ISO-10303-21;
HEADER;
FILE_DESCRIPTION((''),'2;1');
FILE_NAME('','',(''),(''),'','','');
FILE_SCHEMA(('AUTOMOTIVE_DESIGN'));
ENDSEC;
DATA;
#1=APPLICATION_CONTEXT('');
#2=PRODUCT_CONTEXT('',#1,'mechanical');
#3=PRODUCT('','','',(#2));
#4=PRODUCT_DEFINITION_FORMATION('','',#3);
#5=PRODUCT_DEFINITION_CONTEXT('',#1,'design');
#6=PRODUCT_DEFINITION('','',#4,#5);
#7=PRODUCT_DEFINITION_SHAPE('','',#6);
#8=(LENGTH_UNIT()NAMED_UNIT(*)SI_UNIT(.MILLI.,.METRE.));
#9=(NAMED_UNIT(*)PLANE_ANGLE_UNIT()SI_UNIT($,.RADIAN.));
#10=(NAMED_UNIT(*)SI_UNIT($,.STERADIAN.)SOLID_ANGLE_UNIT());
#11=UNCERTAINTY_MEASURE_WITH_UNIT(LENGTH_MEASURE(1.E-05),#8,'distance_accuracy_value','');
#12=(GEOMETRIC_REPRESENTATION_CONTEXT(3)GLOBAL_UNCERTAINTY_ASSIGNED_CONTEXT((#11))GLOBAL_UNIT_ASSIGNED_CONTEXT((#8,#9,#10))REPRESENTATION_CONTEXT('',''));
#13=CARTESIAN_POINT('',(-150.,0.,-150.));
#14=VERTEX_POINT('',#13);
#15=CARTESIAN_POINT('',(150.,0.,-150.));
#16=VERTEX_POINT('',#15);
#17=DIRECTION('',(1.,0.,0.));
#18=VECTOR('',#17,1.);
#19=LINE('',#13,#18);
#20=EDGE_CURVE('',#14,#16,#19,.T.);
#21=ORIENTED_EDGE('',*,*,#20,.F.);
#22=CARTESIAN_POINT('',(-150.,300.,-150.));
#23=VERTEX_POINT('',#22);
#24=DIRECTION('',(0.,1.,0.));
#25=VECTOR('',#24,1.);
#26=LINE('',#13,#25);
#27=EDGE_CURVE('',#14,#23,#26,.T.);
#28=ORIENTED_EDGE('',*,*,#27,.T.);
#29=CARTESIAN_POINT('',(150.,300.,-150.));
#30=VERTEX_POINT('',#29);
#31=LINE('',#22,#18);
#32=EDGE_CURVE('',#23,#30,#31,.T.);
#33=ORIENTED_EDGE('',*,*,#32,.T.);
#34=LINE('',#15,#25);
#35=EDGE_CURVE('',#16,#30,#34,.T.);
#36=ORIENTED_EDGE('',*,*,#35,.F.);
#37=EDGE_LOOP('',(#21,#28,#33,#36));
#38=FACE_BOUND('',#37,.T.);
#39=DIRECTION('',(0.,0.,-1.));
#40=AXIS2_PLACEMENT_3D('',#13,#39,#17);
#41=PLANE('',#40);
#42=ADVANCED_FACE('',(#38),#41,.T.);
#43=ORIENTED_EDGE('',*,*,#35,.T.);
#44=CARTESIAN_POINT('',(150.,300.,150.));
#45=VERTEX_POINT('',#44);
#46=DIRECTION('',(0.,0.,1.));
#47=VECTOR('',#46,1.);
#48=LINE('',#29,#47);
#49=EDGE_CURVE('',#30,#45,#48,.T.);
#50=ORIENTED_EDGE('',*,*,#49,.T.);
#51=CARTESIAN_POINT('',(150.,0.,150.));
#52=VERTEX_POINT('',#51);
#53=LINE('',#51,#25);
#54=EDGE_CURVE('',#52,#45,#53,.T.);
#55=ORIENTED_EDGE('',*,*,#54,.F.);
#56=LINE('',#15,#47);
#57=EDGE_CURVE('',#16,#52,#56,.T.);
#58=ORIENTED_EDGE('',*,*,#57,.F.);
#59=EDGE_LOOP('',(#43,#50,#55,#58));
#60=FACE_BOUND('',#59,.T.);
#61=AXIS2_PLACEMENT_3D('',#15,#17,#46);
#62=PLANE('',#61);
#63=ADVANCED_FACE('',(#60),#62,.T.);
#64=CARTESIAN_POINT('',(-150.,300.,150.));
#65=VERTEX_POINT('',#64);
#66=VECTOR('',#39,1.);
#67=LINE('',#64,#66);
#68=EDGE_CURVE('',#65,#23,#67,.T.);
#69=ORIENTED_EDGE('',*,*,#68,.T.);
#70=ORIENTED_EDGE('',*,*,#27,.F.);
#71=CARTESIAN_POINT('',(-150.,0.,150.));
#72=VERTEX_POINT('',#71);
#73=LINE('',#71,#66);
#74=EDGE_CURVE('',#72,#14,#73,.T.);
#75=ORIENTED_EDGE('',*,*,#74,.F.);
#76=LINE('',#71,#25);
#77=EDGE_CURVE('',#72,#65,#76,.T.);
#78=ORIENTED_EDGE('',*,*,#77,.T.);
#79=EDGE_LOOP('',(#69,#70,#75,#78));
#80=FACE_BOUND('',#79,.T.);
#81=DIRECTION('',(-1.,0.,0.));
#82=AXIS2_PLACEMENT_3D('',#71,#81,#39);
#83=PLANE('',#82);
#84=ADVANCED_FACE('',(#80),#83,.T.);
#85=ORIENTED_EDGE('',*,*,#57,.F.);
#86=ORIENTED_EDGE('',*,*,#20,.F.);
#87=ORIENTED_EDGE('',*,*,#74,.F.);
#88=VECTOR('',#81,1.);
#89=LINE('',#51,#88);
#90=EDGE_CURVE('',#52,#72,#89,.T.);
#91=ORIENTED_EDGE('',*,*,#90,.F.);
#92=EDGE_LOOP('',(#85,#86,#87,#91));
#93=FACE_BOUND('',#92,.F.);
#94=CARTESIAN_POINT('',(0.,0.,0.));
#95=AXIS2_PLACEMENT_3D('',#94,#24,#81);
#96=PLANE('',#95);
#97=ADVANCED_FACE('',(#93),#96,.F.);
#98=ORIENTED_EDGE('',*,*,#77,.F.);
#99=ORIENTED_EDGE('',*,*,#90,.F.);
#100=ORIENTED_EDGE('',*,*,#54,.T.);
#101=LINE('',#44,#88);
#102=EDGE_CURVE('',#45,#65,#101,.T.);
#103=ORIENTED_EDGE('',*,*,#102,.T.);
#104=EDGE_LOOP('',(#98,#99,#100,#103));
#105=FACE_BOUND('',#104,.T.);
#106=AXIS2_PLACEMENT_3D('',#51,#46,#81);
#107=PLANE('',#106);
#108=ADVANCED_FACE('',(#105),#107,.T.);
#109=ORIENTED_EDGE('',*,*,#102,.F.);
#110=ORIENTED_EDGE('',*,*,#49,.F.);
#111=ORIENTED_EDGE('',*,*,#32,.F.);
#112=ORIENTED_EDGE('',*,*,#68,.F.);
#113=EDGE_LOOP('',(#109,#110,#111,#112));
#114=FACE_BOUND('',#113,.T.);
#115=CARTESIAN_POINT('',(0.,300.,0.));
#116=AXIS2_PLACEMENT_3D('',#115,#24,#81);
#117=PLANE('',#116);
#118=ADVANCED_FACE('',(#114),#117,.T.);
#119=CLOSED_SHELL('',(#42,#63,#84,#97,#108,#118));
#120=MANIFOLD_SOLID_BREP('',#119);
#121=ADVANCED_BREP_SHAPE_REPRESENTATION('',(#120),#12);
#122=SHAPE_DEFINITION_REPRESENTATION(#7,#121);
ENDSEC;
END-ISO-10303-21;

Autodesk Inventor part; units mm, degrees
ref_plane "YZ Plane" through (0, 0, 0) normal (1, 0, 0) x (0, 1, 0)
ref_plane "XZ Plane" through (0, 0, 0) normal (0, 1, 0) x (-1, 0, 0)
ref_plane "XY Plane" through (0, 0, 0) normal (0, 0, 1) x (1, 0, 0)
sketch "Sketch2" plane through (0, 0, 0) normal (0, 1, 0) x (-1, 0, 0)
  line L0 (150, -150) -> (-150, -150)
  line L1 (-150, -150) -> (-150, 150)
  line L2 (-150, 150) -> (150, 150)
  line L3 (150, 150) -> (150, -150)
  line L4 (150, -150) -> (-150, 150) construction
  line L5 (-150, -150) -> (150, 150) construction
  point P0 (0, 0)
  dimension "d0" = 300
  dimension "d1" = 300
extrude "Extrusion1" add sketch "Sketch2" along normal blind 300
properties part number "300 mm build volume"
